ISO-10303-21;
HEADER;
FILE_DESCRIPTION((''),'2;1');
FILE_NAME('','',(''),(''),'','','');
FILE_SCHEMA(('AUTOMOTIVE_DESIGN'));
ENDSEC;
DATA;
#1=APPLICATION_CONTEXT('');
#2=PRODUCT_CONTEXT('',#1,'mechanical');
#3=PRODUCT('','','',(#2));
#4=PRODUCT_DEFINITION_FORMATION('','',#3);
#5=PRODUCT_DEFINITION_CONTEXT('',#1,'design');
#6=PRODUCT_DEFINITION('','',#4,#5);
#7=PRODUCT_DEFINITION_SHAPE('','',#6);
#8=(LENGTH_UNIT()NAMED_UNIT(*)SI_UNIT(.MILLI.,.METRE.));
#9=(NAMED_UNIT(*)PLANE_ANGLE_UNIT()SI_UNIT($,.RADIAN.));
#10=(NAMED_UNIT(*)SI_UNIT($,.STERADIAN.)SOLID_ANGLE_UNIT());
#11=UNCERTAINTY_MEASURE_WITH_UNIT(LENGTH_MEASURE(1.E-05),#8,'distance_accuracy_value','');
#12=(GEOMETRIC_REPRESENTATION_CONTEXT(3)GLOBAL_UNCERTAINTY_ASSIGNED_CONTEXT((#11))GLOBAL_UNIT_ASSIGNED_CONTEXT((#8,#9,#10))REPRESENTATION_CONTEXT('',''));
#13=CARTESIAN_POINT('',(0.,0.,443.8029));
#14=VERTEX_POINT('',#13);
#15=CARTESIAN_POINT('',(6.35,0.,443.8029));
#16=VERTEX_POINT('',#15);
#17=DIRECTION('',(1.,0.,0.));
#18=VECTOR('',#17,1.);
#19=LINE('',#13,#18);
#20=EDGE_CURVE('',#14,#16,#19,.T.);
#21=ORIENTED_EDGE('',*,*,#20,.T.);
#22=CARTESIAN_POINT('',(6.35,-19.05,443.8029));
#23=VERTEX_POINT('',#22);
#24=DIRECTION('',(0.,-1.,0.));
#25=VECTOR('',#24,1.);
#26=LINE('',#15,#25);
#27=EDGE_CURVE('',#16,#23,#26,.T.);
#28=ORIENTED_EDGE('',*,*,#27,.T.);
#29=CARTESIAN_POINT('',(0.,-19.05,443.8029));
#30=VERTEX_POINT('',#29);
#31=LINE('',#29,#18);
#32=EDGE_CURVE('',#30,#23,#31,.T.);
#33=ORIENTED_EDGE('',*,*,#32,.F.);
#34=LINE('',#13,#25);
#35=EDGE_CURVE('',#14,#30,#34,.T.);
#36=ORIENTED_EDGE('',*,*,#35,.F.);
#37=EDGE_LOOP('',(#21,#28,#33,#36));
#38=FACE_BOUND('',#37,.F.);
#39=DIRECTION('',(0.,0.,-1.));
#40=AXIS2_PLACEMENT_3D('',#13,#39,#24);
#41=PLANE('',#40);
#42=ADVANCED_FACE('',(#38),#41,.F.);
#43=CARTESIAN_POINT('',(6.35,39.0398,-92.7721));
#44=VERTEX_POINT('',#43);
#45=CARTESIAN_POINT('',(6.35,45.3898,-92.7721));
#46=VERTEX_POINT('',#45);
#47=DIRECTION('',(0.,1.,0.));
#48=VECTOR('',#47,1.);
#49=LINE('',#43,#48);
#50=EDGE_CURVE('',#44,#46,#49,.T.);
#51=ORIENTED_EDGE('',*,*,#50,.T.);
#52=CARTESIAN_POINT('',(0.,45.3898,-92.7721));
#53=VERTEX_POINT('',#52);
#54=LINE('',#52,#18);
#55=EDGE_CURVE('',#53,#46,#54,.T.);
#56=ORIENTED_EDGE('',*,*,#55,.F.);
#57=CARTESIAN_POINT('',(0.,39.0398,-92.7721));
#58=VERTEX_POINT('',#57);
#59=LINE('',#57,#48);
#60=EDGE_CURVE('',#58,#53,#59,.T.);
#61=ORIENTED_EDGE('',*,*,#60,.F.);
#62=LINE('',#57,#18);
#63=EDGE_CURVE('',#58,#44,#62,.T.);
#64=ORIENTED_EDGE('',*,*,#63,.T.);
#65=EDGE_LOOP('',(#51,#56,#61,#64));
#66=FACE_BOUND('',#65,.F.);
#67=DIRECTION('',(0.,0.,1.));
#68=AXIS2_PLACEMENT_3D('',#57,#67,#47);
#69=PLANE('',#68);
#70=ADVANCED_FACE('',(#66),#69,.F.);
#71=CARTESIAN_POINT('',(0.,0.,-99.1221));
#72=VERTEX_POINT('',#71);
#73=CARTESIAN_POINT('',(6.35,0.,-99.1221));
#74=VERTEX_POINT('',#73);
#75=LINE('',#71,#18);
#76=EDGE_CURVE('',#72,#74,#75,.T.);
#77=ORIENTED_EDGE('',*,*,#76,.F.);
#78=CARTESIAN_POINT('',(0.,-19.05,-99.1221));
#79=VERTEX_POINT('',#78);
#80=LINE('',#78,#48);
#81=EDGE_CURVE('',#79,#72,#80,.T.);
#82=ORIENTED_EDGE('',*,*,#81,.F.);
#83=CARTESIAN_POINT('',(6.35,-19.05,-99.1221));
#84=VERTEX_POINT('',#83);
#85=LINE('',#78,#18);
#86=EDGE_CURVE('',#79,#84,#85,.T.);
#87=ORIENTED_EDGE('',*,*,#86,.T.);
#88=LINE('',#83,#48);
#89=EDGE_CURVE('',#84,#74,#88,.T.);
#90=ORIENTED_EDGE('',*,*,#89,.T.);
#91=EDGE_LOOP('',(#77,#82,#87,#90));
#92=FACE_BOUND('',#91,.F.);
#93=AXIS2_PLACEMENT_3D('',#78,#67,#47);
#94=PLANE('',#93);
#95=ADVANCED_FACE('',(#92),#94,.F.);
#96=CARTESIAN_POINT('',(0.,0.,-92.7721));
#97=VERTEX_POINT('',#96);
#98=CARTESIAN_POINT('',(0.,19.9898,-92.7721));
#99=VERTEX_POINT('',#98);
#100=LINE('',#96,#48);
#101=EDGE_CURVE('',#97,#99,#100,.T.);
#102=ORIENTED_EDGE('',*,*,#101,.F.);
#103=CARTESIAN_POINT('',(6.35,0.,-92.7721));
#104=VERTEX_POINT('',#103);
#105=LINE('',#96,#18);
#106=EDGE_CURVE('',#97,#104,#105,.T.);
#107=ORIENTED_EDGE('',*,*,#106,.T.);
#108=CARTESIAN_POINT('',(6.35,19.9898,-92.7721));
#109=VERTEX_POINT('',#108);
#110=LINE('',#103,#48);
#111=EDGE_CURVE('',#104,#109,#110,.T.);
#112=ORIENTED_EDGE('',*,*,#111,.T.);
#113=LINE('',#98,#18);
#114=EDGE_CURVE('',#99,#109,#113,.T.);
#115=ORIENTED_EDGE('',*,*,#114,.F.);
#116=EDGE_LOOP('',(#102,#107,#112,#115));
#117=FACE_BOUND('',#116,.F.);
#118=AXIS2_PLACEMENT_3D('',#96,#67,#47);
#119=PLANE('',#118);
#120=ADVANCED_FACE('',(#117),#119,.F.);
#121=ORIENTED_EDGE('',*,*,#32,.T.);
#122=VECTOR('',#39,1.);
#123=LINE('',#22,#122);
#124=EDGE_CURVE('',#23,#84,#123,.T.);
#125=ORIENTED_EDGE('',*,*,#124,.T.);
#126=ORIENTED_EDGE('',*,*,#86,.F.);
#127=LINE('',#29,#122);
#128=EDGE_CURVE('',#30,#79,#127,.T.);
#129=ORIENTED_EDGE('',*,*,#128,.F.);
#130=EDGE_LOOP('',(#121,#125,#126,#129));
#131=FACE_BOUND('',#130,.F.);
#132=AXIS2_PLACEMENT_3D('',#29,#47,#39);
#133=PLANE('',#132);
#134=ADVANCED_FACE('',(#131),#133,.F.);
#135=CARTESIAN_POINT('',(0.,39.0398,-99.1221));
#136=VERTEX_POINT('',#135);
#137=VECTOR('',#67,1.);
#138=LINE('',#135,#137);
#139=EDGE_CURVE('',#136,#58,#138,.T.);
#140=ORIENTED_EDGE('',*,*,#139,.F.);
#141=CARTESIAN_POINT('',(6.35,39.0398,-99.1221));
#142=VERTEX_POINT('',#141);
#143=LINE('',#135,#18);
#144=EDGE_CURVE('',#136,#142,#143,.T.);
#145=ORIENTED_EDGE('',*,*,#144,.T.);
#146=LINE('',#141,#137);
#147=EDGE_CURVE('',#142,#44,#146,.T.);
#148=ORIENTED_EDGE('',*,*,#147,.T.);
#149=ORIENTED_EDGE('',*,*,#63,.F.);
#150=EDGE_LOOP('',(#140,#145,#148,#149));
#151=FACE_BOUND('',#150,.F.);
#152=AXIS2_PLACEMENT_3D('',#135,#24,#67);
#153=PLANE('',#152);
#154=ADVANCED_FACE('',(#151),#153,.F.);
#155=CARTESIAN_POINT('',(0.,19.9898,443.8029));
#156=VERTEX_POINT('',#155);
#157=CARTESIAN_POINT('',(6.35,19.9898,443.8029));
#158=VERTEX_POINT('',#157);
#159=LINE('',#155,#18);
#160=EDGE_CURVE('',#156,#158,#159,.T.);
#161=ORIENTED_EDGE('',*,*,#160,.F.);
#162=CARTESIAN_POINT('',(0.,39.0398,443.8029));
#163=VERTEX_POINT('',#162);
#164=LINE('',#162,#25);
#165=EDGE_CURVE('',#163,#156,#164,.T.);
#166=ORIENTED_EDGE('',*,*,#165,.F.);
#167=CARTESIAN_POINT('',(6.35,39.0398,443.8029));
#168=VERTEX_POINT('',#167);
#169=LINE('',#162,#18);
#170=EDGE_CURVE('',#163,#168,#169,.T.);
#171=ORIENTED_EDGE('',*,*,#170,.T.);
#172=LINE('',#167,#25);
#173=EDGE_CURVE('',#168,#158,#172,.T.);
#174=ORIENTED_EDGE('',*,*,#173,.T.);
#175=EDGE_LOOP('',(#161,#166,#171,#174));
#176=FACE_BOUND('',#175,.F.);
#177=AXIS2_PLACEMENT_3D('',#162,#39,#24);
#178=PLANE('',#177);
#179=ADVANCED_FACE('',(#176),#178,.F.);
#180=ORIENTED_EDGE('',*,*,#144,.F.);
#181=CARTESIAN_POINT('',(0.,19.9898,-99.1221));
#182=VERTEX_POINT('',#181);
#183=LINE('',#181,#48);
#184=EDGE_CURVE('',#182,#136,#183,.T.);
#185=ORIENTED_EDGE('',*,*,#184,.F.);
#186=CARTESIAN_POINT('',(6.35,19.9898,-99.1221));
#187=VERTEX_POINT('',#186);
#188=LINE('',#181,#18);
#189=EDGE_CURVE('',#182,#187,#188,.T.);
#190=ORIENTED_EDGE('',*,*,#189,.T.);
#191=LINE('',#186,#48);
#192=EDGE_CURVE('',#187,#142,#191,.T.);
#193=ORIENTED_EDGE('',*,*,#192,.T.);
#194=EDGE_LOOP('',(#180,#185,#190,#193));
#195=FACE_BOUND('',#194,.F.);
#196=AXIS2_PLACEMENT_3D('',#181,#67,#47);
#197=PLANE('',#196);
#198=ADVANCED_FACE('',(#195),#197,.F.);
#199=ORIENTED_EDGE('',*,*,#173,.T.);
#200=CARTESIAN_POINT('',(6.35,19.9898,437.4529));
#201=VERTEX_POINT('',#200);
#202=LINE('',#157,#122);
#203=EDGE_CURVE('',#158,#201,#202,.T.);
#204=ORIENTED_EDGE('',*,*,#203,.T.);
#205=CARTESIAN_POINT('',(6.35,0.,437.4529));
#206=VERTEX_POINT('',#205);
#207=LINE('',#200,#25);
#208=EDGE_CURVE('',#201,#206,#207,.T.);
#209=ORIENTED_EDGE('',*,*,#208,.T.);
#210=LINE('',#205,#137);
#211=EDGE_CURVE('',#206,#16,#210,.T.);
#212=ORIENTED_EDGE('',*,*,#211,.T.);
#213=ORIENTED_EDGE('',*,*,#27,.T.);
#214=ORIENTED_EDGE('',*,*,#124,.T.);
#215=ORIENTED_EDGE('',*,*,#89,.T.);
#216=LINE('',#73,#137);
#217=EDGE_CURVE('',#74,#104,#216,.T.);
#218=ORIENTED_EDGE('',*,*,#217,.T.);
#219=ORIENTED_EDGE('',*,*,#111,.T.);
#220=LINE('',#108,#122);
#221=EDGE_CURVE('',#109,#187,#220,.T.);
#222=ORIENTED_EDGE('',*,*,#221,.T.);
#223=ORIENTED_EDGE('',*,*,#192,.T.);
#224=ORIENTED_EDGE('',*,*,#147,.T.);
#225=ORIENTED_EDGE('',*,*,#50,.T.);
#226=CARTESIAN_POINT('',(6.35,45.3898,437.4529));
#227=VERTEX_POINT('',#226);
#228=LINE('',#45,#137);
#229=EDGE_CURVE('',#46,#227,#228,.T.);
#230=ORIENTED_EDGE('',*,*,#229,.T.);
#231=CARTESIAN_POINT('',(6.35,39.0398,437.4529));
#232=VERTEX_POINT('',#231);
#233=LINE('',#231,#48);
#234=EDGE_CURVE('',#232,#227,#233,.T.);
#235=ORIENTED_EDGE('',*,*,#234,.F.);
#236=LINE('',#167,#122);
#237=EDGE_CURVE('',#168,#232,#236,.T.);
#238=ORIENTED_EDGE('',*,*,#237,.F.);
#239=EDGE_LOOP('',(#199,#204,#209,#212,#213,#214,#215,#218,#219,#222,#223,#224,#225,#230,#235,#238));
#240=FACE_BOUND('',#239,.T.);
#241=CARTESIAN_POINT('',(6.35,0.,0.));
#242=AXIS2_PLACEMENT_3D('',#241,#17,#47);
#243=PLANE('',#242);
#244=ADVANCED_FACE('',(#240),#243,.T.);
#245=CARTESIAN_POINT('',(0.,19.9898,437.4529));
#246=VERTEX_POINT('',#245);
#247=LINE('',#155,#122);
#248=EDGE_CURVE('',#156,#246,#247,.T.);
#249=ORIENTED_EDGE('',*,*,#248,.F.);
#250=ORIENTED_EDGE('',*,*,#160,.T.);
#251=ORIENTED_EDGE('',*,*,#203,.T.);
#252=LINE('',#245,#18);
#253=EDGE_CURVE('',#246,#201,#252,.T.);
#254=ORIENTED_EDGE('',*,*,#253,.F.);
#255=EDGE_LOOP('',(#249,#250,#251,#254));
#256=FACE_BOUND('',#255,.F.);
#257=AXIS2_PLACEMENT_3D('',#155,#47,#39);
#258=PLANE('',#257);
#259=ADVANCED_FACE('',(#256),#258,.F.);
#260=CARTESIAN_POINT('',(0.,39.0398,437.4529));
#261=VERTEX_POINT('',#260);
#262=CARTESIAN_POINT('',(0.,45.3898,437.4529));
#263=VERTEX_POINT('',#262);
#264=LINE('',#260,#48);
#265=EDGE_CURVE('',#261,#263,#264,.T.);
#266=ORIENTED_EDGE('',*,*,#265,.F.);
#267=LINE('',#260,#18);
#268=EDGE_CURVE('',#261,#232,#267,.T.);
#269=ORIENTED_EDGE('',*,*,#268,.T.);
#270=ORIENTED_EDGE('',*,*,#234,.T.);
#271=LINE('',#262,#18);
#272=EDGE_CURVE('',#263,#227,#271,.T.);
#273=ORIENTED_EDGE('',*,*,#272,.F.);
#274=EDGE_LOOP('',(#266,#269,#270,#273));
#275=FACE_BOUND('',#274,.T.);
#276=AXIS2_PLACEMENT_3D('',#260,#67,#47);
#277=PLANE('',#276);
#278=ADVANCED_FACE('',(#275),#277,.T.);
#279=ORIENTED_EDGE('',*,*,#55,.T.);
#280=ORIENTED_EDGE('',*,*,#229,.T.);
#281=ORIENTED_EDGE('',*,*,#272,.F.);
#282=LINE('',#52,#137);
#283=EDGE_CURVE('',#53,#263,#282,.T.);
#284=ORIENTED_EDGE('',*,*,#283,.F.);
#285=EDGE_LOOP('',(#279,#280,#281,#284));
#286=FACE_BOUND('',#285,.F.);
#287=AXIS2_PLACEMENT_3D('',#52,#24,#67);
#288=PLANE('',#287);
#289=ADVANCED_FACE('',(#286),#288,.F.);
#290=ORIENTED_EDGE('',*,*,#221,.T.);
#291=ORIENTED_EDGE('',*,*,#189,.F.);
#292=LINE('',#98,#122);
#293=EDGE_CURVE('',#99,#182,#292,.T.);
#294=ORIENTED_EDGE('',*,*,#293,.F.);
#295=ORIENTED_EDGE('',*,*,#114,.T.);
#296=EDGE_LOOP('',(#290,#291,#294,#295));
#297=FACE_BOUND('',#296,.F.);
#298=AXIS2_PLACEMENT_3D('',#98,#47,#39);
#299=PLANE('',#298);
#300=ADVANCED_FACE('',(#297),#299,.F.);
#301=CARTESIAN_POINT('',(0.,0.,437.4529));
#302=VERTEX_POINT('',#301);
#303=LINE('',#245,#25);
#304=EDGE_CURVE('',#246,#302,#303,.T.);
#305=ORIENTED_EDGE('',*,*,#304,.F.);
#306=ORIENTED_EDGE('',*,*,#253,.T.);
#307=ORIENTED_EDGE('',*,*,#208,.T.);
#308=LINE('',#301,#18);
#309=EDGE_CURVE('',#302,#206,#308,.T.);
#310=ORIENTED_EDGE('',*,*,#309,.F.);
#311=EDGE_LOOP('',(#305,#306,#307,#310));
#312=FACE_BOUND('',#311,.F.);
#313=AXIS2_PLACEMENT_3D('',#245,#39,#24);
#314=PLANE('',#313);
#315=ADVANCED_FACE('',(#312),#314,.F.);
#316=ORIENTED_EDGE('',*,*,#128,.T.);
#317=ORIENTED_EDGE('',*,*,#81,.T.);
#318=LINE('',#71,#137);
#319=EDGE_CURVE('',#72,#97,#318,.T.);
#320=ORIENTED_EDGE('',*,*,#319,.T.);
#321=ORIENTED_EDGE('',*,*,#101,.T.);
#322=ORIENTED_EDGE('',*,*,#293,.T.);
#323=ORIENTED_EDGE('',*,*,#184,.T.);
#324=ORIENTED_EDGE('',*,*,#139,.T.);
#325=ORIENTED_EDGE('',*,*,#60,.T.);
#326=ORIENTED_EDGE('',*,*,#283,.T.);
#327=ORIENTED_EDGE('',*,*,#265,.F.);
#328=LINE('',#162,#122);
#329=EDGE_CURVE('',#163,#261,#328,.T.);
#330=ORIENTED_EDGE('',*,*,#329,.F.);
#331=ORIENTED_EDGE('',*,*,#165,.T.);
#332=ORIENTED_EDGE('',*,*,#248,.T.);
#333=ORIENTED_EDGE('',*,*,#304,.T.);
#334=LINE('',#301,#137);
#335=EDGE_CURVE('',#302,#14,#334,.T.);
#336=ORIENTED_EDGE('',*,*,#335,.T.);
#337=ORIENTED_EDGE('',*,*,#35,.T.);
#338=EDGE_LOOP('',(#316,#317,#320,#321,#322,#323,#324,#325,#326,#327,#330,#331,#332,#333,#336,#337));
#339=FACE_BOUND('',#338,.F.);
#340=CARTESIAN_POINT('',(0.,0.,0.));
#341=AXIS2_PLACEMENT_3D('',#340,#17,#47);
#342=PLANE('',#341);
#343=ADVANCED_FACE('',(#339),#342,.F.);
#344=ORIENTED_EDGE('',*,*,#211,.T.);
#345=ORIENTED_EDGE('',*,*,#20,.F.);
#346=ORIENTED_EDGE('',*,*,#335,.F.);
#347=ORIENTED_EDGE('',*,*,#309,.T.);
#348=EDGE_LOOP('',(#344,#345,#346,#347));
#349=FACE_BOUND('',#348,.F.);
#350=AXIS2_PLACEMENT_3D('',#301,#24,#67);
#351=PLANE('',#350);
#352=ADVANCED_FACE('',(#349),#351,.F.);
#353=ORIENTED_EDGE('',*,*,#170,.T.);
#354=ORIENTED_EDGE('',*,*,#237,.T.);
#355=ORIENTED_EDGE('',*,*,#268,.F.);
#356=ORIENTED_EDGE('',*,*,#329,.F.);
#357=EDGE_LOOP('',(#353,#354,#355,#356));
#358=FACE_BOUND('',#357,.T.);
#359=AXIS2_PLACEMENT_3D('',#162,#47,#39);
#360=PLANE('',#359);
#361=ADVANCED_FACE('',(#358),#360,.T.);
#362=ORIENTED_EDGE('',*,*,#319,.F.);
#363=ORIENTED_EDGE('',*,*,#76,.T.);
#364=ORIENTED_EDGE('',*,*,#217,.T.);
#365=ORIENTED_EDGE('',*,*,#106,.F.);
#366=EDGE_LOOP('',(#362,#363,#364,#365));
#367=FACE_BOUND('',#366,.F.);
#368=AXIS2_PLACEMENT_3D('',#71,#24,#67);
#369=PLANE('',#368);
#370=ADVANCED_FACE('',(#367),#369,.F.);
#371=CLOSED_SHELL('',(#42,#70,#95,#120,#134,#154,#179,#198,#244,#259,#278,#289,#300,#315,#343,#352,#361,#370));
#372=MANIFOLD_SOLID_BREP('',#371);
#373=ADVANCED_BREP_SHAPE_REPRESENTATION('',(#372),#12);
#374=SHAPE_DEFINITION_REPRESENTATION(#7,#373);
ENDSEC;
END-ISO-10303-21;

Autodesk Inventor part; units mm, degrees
ref_plane "YZ Plane" through (0, 0, 0) normal (1, 0, 0) x (0, 1, 0)
ref_plane "XZ Plane" through (0, 0, 0) normal (0, 1, 0) x (-1, 0, 0)
ref_plane "XY Plane" through (0, 0, 0) normal (0, 0, 1) x (1, 0, 0)
sketch "Sketch1" plane through (0, 0, 0) normal (1, 0, 0) x (0, 1, 0)
  line L0 (-19.05, 443.8029) -> (-19.05, -99.1221)
  line L1 (45.3898, -92.7721) -> (45.3898, 437.4529)
  line L2 (19.9898, 443.8029) -> (19.9898, 437.4529)
  line L3 (19.9898, 437.4529) -> (0, 437.4529)
  line L4 (0, 437.4529) -> (0, 443.8029)
  line L5 (39.0398, 443.8029) -> (39.0398, 437.4529)
  line L6 (39.0398, 437.4529) -> (45.3898, 437.4529)
  line L7 (39.0398, -99.1221) -> (39.0398, -92.7721)
  line L8 (39.0398, -92.7721) -> (45.3898, -92.7721)
  line L9 (0, -99.1221) -> (0, -92.7721)
  line L10 (0, -92.7721) -> (19.9898, -92.7721)
  line L11 (19.9898, -92.7721) -> (19.9898, -99.1221)
  line L12 (39.0398, 443.8029) -> (19.9898, 443.8029)
  line L13 (0, 443.8029) -> (-19.05, 443.8029)
  line L14 (-19.05, -99.1221) -> (0, -99.1221)
  line L15 (19.9898, -99.1221) -> (39.0398, -99.1221)
  point P0 (0, 0)
  dimension "d12" = 6.35
  dimension "d13" = 6.35
  dimension "d14" = 19.05
  dimension "d15" = 19.9898
  dimension "d16" = 6.35
  dimension "d17" = 64.4398
  dimension "d18" = 6.35
  dimension "d19" = 6.35
  dimension "d20" = 19.05
  dimension "d21" = 19.9898
  dimension "d22" = 6.35
  dimension "d23" = 542.925
  dimension "d26" = 6.35
extrude "Extrusion1" add sketch "Sketch1" along normal blind 6.35
properties part number "Front V3"
